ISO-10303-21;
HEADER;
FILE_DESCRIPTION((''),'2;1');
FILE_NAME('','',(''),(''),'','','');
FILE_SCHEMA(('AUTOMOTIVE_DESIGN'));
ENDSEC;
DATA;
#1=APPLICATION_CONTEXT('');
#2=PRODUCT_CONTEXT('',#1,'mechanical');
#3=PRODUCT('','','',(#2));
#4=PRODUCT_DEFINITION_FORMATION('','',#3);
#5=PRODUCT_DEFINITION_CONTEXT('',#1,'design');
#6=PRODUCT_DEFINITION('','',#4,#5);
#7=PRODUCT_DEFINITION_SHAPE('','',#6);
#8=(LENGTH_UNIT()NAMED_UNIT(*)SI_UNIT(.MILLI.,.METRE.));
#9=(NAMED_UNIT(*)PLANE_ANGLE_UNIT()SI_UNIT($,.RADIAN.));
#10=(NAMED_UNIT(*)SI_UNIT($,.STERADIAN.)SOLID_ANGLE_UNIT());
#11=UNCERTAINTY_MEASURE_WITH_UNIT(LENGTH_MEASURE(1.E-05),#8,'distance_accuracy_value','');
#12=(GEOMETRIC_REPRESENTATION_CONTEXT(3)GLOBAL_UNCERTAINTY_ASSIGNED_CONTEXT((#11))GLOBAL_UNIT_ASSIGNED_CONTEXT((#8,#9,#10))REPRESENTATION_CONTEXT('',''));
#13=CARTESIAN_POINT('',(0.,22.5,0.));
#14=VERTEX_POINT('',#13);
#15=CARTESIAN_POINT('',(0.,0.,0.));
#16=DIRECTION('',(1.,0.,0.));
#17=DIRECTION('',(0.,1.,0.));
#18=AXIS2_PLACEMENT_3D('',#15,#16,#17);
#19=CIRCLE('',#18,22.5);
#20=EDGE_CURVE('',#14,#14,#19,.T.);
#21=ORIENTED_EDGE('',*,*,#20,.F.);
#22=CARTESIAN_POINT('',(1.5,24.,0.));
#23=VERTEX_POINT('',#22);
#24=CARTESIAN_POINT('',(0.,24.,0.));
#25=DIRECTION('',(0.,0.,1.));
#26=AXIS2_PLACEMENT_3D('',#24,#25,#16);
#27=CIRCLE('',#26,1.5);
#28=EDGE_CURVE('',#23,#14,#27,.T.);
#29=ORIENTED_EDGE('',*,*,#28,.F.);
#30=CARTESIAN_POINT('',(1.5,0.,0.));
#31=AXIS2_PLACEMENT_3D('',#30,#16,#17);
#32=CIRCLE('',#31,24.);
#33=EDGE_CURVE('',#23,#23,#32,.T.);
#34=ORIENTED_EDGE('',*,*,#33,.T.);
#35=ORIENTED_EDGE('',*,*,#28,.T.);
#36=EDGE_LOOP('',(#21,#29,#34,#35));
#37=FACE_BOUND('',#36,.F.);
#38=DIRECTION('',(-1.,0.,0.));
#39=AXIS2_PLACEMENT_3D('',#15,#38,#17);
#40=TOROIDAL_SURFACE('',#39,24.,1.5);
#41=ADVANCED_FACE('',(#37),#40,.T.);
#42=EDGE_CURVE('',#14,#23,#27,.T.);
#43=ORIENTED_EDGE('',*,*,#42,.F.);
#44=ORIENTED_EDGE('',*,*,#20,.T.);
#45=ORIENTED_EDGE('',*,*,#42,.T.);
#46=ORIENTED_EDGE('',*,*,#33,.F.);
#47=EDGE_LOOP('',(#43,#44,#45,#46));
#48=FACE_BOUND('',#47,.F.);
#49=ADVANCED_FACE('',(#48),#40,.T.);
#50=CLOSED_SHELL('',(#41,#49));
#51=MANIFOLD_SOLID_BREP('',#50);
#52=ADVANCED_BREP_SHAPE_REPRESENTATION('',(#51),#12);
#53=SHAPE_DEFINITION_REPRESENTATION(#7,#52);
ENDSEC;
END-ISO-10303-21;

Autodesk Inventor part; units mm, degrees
ref_plane "YZ Plane" through (0, 0, 0) normal (1, 0, 0) x (0, 1, 0)
ref_plane "XZ Plane" through (0, 0, 0) normal (0, 1, 0) x (-1, 0, 0)
ref_plane "XY Plane" through (0, 0, 0) normal (0, 0, 1) x (1, 0, 0)
sketch "スケッチ1" plane through (0, 0, 0) normal (0, 0, 1) x (1, 0, 0)
  line L0 (0, 0) -> (5.9764, 0)
  line L1 (0, 0) -> (0, 24)
  circle A0 centre (0, 24) radius 1.5
  dimension "d0" = 24
  dimension "d1" = 3
revolve "回転1" add sketch "スケッチ1" angle 360 about axis through (0, 0, 0) along (1, 0, 0)
properties part number "RD013_オーリング" material "ゴム"
